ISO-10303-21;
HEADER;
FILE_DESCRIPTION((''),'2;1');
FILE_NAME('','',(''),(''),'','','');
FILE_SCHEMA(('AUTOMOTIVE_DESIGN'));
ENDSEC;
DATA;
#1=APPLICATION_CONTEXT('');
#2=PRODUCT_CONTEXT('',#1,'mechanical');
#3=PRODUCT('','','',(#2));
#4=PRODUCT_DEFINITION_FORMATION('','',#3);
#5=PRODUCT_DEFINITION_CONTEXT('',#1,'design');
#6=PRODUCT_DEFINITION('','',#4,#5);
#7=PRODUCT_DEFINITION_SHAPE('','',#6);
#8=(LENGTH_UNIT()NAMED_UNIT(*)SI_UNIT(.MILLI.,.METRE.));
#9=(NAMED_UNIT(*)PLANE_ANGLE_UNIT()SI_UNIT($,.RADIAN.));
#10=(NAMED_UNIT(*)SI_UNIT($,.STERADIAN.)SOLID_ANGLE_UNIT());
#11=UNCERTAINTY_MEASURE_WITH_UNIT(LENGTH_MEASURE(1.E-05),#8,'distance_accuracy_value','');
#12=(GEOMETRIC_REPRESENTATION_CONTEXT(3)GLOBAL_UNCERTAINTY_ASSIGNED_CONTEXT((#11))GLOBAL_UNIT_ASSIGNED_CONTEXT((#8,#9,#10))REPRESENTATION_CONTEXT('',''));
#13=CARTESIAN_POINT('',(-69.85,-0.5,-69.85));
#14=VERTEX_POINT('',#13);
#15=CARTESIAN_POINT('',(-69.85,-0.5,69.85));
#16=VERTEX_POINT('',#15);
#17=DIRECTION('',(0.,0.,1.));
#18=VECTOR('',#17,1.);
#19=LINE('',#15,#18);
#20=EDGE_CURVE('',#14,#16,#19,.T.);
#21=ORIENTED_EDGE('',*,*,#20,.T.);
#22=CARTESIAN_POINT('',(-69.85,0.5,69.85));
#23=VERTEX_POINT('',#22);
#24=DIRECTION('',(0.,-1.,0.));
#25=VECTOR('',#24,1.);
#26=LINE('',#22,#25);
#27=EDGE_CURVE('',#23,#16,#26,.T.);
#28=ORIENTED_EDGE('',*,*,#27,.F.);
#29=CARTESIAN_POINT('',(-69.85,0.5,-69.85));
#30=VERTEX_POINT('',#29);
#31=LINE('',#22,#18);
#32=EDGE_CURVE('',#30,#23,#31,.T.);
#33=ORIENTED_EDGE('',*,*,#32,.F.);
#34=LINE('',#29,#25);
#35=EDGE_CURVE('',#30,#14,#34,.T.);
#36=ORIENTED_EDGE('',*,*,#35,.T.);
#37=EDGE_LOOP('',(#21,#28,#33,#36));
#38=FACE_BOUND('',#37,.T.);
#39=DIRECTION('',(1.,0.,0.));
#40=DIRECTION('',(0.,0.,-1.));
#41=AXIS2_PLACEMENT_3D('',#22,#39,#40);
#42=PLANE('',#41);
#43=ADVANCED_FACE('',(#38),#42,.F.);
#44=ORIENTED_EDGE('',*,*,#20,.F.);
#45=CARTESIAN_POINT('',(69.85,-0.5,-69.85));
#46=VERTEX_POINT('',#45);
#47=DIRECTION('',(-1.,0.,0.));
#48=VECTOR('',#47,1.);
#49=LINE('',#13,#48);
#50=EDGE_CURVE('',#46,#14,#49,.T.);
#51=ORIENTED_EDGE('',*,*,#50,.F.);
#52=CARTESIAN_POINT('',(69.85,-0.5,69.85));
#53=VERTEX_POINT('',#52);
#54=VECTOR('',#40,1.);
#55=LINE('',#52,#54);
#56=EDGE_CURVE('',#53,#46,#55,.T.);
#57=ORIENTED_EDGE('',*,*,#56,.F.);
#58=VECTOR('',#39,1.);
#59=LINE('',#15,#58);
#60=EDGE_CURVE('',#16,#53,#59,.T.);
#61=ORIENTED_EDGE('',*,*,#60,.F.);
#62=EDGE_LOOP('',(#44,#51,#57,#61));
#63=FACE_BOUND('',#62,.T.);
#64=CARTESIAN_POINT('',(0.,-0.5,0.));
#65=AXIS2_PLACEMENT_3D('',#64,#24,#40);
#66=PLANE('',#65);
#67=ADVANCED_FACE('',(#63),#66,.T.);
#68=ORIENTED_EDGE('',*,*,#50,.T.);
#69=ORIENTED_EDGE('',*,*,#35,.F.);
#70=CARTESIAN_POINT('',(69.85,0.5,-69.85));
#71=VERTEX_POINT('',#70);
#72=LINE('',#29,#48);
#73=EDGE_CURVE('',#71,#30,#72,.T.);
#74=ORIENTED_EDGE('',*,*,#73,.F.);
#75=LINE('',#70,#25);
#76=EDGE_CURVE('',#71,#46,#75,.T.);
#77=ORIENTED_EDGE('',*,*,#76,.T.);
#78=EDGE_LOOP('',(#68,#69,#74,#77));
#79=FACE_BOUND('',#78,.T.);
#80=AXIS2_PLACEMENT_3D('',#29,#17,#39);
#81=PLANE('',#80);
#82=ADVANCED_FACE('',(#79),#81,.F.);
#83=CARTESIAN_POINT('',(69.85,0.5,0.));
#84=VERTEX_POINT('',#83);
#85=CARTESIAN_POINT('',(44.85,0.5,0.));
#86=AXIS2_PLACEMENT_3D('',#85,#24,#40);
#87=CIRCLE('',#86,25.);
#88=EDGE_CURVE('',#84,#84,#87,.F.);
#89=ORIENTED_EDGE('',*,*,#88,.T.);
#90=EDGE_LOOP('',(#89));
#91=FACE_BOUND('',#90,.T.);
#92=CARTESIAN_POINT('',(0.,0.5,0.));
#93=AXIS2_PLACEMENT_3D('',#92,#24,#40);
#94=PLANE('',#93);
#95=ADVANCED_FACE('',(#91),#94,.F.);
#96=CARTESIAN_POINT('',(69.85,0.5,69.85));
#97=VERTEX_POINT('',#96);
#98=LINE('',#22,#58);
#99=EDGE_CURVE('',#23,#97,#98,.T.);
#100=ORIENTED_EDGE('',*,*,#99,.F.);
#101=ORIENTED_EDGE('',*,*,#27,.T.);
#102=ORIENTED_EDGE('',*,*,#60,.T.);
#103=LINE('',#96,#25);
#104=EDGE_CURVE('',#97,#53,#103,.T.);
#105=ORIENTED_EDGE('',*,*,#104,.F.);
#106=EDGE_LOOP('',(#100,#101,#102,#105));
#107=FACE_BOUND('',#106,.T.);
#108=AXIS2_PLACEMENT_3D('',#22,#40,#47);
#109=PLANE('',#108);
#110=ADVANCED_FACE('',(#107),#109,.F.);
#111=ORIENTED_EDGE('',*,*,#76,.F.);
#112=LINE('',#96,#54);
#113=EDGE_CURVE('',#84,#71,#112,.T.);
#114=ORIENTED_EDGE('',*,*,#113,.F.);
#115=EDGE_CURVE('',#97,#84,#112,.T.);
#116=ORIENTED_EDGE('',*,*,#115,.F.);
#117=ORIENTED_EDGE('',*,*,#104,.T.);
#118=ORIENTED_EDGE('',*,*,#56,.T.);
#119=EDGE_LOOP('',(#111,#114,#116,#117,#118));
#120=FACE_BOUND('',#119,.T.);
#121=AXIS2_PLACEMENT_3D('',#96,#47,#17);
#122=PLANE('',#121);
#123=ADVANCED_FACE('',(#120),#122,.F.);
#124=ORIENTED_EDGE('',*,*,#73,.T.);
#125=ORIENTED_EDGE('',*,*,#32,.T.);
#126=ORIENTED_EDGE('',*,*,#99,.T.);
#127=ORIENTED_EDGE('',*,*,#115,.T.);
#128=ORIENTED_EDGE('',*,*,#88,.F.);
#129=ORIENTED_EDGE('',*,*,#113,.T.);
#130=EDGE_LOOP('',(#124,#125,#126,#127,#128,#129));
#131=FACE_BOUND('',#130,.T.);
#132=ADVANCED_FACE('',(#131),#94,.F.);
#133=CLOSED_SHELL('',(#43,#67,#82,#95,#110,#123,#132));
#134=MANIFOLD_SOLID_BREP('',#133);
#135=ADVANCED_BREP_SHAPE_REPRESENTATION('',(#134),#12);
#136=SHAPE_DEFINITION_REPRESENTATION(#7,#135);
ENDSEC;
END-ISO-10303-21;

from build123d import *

# Parameters (mm, degrees)
SKETCH1_W           = 139.7
SKETCH1_H           = 139.7
BOSS_EXTRUDE1_DEPTH = 0.5


with BuildPart() as part:
    # Sketch1 → Boss-Extrude1 (new, symmetric)
    with BuildSketch(Plane(origin=(0, 0, 0), x_dir=(1, 0, 0), z_dir=(0, 1, 0))):
        Rectangle(SKETCH1_W, SKETCH1_H)
    extrude(amount=BOSS_EXTRUDE1_DEPTH, both=True)


solid = part.part
